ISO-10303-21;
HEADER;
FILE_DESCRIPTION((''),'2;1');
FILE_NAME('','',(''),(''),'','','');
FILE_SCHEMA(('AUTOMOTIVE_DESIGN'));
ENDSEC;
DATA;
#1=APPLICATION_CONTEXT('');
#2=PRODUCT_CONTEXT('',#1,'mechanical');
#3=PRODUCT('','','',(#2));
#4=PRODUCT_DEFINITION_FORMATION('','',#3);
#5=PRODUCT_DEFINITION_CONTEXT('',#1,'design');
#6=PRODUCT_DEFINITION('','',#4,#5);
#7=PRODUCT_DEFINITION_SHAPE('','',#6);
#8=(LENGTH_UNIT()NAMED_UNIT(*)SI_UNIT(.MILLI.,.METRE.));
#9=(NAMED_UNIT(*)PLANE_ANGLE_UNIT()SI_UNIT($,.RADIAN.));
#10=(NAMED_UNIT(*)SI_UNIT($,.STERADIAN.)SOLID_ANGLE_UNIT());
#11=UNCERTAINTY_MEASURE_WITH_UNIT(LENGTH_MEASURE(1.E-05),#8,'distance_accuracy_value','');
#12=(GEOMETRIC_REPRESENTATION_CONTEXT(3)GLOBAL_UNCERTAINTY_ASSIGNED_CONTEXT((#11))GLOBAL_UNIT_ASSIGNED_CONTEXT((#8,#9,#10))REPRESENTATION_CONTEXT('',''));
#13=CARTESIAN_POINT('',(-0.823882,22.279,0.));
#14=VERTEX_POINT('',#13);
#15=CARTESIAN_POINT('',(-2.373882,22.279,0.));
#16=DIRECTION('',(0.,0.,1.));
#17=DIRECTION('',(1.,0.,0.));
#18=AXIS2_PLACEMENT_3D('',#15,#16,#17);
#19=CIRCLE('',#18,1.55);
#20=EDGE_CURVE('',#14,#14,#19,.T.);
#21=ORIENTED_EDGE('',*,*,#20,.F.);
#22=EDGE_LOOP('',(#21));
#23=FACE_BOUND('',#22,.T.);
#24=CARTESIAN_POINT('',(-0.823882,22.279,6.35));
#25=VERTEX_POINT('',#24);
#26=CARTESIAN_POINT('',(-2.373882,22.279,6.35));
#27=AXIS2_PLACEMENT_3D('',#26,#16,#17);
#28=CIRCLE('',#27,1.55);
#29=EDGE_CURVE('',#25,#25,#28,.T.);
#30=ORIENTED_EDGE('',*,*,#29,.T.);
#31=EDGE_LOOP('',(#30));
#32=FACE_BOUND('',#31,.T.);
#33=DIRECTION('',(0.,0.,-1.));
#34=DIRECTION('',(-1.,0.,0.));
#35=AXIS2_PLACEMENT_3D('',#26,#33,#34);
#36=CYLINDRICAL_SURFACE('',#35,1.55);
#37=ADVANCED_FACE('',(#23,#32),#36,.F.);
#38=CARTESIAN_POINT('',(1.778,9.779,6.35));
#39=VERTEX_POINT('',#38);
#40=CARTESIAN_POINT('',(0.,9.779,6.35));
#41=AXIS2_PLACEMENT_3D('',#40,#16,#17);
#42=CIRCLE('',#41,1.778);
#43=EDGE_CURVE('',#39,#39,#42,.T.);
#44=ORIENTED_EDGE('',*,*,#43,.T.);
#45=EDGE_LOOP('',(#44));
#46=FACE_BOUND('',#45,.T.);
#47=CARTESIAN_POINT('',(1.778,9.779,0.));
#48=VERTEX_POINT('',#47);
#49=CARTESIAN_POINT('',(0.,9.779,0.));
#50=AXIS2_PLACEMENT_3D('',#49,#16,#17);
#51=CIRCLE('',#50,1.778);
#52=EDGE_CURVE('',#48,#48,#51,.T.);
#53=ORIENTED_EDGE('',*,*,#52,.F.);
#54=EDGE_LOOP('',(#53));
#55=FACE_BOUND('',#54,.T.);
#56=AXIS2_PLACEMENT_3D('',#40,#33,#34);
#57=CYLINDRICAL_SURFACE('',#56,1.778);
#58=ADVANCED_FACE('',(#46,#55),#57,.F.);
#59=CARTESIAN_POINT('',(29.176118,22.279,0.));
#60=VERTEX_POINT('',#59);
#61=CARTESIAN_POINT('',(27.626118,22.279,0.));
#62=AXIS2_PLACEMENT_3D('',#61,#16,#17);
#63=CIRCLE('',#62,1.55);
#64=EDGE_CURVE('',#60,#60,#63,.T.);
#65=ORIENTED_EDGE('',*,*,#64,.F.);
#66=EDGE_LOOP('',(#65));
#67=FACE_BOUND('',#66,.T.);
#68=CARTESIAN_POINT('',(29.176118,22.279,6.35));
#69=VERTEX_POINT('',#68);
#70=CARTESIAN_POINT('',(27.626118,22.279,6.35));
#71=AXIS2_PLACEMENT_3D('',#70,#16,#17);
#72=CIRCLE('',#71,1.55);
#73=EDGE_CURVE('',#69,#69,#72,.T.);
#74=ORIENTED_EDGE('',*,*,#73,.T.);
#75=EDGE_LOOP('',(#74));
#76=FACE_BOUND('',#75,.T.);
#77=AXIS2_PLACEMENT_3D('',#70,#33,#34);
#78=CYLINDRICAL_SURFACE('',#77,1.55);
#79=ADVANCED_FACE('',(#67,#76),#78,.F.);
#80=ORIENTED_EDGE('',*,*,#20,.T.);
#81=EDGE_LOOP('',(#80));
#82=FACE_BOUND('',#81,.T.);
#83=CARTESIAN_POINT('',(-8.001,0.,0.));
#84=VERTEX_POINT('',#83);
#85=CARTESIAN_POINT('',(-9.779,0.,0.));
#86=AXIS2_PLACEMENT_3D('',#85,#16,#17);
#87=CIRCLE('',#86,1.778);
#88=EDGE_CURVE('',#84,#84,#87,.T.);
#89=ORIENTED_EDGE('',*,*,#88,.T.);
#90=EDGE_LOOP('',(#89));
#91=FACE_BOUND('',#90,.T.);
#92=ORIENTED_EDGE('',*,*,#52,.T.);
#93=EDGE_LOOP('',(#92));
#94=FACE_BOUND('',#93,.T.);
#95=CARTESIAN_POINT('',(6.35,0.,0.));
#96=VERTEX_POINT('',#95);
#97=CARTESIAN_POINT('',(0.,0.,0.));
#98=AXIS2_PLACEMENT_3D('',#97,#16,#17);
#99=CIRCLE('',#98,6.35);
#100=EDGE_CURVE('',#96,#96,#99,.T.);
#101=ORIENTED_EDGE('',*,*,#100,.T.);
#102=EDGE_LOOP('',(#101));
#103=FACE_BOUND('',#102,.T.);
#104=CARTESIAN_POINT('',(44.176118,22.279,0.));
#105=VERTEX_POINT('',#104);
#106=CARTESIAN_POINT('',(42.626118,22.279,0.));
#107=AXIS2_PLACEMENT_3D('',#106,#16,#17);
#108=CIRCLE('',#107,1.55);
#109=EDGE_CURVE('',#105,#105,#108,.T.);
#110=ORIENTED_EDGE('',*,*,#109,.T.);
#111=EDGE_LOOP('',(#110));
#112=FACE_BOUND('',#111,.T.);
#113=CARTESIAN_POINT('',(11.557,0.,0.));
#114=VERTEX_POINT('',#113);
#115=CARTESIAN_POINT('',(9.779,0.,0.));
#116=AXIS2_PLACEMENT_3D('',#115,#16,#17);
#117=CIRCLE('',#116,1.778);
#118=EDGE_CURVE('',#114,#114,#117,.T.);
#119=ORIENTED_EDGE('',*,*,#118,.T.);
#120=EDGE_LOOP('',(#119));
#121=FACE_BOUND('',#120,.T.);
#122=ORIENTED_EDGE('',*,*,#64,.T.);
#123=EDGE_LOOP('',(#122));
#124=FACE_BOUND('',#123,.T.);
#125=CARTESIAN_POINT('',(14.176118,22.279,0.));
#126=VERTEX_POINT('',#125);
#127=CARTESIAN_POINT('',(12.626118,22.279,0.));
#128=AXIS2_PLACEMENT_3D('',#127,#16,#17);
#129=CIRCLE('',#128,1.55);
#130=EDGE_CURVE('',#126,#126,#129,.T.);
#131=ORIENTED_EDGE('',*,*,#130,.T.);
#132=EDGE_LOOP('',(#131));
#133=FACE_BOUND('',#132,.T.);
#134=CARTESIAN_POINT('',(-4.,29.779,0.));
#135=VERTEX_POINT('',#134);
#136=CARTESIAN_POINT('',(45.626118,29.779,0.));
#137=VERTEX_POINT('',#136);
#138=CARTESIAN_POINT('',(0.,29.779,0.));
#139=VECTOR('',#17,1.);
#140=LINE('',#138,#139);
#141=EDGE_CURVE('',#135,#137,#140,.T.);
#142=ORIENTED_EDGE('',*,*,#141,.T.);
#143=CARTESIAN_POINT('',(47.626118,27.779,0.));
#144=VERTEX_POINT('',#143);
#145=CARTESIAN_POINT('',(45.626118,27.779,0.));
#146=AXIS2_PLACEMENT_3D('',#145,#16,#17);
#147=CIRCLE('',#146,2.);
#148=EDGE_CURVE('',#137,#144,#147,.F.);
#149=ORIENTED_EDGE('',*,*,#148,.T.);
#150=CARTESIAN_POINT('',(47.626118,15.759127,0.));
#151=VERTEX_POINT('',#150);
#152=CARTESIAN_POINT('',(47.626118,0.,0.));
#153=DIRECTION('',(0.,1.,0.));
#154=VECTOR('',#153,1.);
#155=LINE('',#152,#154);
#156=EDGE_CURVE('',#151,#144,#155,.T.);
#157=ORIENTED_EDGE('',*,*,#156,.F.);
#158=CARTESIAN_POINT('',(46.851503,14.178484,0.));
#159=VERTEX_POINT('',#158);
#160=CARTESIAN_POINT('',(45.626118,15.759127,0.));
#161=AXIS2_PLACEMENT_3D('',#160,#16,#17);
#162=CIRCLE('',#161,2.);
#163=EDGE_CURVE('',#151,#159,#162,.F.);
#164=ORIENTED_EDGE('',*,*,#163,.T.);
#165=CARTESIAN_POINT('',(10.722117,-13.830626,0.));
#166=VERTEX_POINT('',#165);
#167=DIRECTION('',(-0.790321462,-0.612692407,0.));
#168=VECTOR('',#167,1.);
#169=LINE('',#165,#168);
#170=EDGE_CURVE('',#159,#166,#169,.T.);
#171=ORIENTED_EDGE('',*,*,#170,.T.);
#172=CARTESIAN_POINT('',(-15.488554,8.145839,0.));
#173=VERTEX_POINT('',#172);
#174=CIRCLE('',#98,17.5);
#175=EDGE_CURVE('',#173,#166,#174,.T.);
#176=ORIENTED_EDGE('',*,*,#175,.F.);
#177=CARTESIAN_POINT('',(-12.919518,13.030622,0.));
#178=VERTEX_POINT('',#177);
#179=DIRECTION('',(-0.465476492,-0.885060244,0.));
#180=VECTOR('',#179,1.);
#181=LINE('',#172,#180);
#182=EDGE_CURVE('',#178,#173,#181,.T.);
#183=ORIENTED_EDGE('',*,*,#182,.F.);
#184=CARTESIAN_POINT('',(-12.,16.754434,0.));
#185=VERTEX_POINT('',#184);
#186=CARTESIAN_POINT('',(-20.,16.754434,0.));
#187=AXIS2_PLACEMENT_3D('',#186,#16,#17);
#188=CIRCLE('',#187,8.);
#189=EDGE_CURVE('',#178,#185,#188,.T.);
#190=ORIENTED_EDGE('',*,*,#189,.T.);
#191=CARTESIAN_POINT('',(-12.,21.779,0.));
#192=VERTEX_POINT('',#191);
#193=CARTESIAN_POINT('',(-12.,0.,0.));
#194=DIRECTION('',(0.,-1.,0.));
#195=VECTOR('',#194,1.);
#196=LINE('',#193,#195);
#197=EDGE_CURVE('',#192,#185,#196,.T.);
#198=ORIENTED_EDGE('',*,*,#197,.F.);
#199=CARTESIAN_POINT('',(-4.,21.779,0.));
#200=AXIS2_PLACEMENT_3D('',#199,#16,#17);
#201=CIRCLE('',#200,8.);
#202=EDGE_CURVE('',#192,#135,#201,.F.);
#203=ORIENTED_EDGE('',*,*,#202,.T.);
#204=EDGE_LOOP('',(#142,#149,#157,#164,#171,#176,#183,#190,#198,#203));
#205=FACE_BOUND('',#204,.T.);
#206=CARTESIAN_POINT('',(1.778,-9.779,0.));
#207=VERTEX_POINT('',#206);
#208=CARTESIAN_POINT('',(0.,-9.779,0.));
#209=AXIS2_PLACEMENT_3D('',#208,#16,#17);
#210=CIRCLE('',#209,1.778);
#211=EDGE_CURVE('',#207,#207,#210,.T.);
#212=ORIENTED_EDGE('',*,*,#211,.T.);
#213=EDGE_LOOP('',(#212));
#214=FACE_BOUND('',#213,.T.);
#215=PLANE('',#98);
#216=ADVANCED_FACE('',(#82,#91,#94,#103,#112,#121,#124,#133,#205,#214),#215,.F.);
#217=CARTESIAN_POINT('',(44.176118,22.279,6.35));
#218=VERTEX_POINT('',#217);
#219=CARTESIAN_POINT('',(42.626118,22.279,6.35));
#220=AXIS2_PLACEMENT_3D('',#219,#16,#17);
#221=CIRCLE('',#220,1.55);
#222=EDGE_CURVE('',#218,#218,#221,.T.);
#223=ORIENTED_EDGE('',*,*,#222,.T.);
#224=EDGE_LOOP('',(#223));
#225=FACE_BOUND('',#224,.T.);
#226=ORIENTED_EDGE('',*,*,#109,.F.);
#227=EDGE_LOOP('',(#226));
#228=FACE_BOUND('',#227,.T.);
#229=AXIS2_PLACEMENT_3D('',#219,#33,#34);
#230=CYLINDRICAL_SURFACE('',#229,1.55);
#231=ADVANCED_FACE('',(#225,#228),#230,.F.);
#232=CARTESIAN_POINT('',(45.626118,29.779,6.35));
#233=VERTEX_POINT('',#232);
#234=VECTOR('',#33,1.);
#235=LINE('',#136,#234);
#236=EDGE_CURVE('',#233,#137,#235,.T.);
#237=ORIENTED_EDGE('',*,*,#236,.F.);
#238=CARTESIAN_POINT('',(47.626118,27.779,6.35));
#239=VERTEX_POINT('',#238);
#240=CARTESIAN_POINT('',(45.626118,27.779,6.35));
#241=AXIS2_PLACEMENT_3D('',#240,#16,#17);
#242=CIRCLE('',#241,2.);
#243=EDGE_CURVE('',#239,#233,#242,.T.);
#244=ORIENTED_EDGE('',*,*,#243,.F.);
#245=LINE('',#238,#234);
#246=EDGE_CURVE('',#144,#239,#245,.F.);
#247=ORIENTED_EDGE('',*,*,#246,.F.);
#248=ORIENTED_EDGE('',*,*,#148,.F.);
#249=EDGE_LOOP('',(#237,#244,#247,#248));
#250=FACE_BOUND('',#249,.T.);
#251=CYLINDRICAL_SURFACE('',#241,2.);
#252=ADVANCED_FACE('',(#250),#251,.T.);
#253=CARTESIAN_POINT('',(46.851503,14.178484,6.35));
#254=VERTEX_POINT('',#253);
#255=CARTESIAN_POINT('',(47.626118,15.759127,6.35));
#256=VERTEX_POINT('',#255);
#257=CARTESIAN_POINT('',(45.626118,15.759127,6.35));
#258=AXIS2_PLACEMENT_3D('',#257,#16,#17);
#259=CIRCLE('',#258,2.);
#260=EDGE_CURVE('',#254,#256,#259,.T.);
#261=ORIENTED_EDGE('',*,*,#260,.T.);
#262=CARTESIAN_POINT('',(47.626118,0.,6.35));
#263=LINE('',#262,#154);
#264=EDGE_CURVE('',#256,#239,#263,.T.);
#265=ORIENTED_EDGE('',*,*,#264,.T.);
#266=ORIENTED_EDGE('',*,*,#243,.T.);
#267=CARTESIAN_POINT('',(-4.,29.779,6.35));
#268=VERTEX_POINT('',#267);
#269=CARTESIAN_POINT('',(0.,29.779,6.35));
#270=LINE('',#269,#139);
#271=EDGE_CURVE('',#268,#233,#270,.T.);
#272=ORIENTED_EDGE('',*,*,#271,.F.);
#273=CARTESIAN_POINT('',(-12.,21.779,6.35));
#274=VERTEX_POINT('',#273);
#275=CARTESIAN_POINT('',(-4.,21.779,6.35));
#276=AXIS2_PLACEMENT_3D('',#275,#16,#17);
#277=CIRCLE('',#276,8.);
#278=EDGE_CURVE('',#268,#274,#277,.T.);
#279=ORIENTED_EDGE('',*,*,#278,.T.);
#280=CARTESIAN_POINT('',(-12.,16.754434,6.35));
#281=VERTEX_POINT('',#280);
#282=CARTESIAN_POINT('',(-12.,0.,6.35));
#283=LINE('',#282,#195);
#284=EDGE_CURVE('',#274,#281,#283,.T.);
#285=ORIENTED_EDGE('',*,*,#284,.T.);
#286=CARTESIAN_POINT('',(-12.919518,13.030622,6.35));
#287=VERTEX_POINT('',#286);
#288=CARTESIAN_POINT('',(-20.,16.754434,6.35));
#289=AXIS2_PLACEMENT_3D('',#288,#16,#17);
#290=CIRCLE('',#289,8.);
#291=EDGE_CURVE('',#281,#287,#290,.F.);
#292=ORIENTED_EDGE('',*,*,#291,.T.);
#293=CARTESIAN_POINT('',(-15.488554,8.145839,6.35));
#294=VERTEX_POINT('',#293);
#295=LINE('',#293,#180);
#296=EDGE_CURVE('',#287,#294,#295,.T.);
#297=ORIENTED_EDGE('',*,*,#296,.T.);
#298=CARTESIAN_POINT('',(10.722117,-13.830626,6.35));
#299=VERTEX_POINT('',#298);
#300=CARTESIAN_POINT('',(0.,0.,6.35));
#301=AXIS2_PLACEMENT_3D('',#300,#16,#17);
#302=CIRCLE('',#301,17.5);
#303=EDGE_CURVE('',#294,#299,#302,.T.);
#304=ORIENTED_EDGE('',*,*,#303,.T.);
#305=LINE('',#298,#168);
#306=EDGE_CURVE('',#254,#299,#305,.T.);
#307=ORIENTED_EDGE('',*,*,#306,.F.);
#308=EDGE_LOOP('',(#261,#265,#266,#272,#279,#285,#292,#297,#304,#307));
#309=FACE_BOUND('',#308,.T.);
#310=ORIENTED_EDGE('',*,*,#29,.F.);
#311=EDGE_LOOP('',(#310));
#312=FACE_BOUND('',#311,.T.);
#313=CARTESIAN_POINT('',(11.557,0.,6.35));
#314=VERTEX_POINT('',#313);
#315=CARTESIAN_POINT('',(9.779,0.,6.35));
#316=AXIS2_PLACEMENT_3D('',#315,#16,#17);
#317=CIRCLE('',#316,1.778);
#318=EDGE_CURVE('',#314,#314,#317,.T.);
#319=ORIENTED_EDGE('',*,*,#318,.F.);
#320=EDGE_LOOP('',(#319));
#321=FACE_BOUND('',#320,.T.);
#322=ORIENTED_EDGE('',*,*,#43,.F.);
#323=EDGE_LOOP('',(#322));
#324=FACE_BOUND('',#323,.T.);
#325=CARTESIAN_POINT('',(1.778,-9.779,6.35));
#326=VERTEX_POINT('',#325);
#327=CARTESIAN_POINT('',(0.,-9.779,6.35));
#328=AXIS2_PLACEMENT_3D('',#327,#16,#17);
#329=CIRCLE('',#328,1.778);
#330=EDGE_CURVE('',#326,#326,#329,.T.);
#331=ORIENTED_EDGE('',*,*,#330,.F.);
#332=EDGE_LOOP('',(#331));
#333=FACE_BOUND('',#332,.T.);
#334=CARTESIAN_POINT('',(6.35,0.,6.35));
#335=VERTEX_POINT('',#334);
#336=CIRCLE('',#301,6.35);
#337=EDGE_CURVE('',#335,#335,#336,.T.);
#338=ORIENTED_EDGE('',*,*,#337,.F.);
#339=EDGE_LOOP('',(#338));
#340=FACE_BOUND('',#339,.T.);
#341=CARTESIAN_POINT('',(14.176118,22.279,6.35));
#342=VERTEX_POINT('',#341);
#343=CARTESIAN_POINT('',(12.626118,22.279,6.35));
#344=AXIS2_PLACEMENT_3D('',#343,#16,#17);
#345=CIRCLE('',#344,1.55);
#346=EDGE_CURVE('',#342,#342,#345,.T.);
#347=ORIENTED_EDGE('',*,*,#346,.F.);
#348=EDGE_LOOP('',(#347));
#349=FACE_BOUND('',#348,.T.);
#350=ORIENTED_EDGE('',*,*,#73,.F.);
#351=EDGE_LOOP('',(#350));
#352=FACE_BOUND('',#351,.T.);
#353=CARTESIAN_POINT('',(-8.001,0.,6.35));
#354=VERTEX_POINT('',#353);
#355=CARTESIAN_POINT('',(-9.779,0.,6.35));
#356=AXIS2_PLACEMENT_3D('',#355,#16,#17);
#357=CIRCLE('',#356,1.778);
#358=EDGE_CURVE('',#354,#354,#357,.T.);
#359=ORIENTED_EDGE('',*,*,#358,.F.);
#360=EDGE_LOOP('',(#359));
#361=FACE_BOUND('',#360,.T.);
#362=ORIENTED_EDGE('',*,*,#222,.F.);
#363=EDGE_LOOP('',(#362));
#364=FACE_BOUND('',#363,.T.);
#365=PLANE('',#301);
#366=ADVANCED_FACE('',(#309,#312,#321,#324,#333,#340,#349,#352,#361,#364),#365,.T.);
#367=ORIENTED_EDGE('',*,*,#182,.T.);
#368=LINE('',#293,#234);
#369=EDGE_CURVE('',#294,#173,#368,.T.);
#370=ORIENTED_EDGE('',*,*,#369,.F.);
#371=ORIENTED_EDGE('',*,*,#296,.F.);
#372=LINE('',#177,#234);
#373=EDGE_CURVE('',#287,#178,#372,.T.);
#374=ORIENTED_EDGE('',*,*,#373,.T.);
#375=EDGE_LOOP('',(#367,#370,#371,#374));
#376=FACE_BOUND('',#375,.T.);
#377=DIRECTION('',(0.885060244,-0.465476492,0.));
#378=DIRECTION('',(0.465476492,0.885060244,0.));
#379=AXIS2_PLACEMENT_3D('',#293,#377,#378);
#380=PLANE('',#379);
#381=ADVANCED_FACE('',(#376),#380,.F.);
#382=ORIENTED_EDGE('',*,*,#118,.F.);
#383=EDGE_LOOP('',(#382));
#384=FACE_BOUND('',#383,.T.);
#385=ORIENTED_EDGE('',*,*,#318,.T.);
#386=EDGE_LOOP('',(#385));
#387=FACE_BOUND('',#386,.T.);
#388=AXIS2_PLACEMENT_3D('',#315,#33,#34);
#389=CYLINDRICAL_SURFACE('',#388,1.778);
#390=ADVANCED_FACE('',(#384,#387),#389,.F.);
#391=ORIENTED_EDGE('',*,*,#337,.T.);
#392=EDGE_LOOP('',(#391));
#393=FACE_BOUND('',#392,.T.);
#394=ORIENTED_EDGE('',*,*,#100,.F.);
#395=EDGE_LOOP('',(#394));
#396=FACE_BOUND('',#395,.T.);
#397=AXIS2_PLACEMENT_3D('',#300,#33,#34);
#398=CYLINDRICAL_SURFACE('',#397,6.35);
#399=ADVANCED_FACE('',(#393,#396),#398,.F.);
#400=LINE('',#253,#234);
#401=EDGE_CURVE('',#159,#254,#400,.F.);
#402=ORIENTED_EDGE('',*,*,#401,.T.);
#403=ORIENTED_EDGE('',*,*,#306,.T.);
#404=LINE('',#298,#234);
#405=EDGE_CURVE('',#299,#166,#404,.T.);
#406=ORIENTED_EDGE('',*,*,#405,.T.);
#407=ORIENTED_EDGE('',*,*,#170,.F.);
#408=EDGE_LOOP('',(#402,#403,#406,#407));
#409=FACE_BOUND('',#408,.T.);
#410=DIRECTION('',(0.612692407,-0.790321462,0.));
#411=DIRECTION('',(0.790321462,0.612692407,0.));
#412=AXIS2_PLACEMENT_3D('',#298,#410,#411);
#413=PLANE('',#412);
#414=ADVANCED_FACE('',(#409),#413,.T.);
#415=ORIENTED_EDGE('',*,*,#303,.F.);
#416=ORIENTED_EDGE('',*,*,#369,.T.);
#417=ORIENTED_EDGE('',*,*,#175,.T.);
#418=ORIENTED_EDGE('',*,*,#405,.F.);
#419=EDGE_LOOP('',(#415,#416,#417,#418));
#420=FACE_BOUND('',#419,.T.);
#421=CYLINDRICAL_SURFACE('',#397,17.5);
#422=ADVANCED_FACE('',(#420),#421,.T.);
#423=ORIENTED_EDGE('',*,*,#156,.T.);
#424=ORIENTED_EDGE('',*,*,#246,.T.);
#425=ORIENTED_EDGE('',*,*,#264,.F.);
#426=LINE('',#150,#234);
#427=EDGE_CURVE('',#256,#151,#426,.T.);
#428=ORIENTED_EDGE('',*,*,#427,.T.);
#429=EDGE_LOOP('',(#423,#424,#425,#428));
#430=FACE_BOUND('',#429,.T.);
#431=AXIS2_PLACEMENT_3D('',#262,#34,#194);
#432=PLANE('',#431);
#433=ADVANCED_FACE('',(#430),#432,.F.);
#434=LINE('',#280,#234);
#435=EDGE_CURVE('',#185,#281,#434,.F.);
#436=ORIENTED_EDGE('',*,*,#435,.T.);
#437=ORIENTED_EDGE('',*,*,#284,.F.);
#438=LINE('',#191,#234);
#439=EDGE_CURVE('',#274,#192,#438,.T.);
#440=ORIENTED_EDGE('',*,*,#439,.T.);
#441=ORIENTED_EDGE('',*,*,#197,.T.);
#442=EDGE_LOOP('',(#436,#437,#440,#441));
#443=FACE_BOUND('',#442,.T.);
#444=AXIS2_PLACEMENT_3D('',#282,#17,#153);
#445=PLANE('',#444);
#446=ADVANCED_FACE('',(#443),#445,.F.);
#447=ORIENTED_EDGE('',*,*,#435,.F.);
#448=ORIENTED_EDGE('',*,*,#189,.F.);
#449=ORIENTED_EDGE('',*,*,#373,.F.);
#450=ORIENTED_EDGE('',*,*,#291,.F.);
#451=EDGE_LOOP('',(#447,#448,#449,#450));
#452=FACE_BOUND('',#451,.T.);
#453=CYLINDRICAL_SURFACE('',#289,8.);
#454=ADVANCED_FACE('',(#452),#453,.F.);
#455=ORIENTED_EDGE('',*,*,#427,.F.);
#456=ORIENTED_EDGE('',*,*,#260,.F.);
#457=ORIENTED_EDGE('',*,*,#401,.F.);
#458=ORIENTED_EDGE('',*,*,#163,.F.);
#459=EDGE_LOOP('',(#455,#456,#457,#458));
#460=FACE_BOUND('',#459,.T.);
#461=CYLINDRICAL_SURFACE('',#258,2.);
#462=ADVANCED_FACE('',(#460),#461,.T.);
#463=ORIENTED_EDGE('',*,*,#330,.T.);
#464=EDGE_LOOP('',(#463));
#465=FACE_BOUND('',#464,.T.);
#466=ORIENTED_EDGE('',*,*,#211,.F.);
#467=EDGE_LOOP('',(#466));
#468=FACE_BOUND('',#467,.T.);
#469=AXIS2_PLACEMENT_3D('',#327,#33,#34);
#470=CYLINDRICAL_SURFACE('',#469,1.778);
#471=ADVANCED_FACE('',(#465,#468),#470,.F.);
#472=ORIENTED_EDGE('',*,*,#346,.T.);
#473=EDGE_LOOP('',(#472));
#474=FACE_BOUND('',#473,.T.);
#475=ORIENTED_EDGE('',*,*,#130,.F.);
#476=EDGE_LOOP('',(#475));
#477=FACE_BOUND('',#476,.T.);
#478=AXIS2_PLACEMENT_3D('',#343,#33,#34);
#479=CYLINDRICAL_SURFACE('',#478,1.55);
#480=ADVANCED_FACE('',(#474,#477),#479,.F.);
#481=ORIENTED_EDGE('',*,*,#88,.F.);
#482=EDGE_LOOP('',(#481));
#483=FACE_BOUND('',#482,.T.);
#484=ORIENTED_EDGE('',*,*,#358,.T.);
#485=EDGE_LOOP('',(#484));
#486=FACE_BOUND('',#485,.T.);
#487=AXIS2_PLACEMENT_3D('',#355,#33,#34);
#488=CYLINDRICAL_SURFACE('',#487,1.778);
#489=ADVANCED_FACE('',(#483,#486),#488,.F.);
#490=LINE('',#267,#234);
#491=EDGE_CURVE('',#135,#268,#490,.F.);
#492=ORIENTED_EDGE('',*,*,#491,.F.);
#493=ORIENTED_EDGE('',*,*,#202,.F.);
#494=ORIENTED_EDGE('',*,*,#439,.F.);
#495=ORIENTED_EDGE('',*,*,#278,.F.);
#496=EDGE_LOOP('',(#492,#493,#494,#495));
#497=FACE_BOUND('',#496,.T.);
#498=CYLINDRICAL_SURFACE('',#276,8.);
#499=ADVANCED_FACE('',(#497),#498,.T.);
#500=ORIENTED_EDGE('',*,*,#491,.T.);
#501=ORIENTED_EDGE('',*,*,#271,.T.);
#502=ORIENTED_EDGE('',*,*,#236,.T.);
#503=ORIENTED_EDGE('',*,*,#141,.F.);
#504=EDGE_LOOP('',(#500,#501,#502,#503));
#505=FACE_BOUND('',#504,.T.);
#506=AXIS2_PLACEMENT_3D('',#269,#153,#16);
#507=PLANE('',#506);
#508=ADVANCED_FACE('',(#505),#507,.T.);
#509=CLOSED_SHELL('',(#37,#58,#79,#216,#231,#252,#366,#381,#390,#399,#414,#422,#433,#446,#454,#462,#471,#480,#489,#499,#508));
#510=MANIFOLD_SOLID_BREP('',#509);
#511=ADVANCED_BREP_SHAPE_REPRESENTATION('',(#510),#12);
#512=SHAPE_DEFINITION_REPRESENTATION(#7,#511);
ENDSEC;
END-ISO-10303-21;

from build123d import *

# Parameters (mm, degrees)
SKETCH1_R           = 1.778
SKETCH1_R_2         = 1.55
SKETCH1_R_3         = 6.35
BOSS_EXTRUDE1_DEPTH = 6.35
FILLET2_R           = 2
FILLET4_R           = 8


with BuildPart() as part:
    # Sketch1 → Boss-Extrude1 (new body)
    with BuildSketch(Plane.XY):
        with BuildLine():
            Line((47.626117997, 29.779), (-12, 29.779))
            Line((-12, 29.779), (-12, 14.779))
            Line((-12, 14.779), (-15.488554272, 8.145838605))
            ThreePointArc((-15.488554272, 8.145838605), (-11.243708258, -13.410034474), (10.72211713, -13.830625591))
            Line((10.72211713, -13.830625591), (47.626117997, 14.779))
            Line((47.626117997, 14.779), (47.626117997, 29.779))
        make_face()
        with Locations((-9.779, 0)):
            Circle(SKETCH1_R, mode=Mode.SUBTRACT)
        with Locations((0, -9.779)):
            Circle(SKETCH1_R, mode=Mode.SUBTRACT)
        with Locations((0, 9.779)):
            Circle(SKETCH1_R, mode=Mode.SUBTRACT)
        with Locations((9.779, 0)):
            Circle(SKETCH1_R, mode=Mode.SUBTRACT)
        with Locations((-2.373882003, 22.279)):
            Circle(SKETCH1_R_2, mode=Mode.SUBTRACT)
        with Locations((12.626117997, 22.279)):
            Circle(SKETCH1_R_2, mode=Mode.SUBTRACT)
        with Locations((27.626117997, 22.279)):
            Circle(SKETCH1_R_2, mode=Mode.SUBTRACT)
        with Locations((42.626117997, 22.279)):
            Circle(SKETCH1_R_2, mode=Mode.SUBTRACT)
        Circle(SKETCH1_R_3, mode=Mode.SUBTRACT)
    extrude(amount=BOSS_EXTRUDE1_DEPTH)

    # Fillet2
    fillet2_edges = [part.edges().sort_by_distance(p)[0] for p in [
        (47.626117997, 29.779, 3.175),
        (47.626117997, 14.779, 3.175),
    ]]
    fillet(fillet2_edges, radius=FILLET2_R)

    # Fillet4
    fillet4_edges = [part.edges().sort_by_distance(p)[0] for p in [
        (-12, 14.779, 3.175),
        (-12, 29.779, 3.175),
    ]]
    fillet(fillet4_edges, radius=FILLET4_R)


solid = part.part
